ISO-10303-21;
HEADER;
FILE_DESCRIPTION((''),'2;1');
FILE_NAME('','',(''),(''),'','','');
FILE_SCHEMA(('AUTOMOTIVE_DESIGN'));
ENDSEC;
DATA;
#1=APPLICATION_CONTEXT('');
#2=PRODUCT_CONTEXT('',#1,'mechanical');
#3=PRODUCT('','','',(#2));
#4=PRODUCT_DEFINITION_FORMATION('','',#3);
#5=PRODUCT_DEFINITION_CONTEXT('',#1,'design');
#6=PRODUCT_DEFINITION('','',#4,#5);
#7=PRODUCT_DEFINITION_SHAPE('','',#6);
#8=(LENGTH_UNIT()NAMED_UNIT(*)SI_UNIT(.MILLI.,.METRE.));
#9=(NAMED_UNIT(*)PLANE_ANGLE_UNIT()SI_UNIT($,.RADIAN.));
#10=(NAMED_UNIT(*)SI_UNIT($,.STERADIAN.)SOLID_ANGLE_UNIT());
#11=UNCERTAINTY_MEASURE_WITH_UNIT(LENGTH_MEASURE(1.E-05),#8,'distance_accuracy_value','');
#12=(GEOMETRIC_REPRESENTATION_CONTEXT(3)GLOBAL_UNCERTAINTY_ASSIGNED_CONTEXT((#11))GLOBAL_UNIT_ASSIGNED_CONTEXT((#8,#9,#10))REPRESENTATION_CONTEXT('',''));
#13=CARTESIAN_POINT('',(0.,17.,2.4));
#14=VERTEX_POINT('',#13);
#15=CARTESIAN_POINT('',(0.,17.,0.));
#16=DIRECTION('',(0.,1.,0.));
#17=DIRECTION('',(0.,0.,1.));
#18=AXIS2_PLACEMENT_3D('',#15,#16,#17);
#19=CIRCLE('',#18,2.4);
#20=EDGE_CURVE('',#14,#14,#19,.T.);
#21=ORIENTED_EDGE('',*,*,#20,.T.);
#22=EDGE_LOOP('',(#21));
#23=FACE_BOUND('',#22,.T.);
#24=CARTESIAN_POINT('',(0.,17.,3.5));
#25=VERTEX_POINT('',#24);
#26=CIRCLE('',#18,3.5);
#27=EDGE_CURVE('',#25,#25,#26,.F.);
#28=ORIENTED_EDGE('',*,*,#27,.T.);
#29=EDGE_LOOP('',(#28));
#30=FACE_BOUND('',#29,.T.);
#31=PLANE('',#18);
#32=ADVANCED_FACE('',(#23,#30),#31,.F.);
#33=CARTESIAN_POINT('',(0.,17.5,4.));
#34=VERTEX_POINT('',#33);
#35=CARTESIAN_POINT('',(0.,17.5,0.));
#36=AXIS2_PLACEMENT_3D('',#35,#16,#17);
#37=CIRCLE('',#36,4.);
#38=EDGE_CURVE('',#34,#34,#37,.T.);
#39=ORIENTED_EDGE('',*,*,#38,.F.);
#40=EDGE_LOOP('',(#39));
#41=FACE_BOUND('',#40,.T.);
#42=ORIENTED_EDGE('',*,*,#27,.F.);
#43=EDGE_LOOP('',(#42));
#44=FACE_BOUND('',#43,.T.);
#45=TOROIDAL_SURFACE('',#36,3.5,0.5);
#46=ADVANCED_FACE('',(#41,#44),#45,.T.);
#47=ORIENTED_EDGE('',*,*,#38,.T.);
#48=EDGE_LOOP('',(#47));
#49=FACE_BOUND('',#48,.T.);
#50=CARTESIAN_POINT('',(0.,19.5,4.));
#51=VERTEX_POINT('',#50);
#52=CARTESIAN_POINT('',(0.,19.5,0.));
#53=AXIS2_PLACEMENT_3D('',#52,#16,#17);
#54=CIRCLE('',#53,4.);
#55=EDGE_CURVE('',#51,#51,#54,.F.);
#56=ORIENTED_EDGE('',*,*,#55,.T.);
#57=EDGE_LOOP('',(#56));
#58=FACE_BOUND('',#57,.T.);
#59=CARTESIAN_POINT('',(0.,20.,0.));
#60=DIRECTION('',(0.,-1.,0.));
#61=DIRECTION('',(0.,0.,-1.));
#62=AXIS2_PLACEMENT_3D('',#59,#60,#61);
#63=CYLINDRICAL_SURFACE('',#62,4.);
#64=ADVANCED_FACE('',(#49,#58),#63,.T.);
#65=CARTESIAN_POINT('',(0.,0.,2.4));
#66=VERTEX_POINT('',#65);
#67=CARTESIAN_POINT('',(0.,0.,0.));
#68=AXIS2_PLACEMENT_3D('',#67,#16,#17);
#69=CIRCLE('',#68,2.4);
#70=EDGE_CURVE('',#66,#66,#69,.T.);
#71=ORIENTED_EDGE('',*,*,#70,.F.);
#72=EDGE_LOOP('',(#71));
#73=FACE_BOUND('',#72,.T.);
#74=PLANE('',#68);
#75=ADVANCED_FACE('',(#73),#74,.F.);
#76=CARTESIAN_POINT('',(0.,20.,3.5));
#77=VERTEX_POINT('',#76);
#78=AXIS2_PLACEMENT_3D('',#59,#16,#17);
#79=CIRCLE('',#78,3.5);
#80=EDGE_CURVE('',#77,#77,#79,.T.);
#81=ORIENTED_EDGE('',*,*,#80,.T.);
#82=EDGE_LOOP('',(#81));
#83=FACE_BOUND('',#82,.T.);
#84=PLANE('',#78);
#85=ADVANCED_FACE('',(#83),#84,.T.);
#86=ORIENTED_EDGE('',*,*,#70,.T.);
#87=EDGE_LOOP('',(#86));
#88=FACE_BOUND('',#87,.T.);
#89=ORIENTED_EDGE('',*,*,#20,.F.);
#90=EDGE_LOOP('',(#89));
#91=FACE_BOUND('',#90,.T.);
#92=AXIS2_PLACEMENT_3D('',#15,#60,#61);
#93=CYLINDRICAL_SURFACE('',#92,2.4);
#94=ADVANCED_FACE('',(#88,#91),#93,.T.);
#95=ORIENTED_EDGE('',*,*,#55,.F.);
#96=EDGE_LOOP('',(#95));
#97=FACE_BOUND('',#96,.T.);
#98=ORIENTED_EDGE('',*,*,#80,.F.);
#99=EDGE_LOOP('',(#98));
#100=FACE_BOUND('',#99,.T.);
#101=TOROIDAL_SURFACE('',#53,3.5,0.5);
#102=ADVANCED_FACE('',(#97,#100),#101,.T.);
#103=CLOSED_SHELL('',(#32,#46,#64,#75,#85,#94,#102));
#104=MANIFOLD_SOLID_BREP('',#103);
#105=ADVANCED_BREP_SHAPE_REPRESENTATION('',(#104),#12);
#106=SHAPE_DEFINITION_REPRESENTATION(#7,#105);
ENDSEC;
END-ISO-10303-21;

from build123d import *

# Parameters (mm, degrees)
SKETCH1_R           = 2.4
BOSS_EXTRUDE1_DEPTH = 17
SKETCH2_R           = 4
BOSS_EXTRUDE2_DEPTH = 3
FILLET5_R           = 0.5


with BuildPart() as part:
    # Sketch1 → Boss-Extrude1 (new body)
    with BuildSketch(Plane(origin=(0, 0, 0), x_dir=(1, 0, 0), z_dir=(0, 1, 0))):
        with Locations(Location((0, 0, 0), (0, 0, 270))):
            Circle(SKETCH1_R)
    extrude(amount=BOSS_EXTRUDE1_DEPTH)

    # Sketch2 → Boss-Extrude2 (add)
    with BuildSketch(Plane(origin=(0, 17, 0), x_dir=(1, 0, 0), z_dir=(0, 1, 0))):
        with Locations(Location((0, 0, 0), (0, 0, 270))):
            Circle(SKETCH2_R)
    extrude(amount=BOSS_EXTRUDE2_DEPTH)

    # Fillet5
    fillet5_edges = [part.edges().sort_by_distance(p)[0] for p in [
        (0, 17, -4),
        (0, 20, -4),
    ]]
    fillet(fillet5_edges, radius=FILLET5_R)


solid = part.part
